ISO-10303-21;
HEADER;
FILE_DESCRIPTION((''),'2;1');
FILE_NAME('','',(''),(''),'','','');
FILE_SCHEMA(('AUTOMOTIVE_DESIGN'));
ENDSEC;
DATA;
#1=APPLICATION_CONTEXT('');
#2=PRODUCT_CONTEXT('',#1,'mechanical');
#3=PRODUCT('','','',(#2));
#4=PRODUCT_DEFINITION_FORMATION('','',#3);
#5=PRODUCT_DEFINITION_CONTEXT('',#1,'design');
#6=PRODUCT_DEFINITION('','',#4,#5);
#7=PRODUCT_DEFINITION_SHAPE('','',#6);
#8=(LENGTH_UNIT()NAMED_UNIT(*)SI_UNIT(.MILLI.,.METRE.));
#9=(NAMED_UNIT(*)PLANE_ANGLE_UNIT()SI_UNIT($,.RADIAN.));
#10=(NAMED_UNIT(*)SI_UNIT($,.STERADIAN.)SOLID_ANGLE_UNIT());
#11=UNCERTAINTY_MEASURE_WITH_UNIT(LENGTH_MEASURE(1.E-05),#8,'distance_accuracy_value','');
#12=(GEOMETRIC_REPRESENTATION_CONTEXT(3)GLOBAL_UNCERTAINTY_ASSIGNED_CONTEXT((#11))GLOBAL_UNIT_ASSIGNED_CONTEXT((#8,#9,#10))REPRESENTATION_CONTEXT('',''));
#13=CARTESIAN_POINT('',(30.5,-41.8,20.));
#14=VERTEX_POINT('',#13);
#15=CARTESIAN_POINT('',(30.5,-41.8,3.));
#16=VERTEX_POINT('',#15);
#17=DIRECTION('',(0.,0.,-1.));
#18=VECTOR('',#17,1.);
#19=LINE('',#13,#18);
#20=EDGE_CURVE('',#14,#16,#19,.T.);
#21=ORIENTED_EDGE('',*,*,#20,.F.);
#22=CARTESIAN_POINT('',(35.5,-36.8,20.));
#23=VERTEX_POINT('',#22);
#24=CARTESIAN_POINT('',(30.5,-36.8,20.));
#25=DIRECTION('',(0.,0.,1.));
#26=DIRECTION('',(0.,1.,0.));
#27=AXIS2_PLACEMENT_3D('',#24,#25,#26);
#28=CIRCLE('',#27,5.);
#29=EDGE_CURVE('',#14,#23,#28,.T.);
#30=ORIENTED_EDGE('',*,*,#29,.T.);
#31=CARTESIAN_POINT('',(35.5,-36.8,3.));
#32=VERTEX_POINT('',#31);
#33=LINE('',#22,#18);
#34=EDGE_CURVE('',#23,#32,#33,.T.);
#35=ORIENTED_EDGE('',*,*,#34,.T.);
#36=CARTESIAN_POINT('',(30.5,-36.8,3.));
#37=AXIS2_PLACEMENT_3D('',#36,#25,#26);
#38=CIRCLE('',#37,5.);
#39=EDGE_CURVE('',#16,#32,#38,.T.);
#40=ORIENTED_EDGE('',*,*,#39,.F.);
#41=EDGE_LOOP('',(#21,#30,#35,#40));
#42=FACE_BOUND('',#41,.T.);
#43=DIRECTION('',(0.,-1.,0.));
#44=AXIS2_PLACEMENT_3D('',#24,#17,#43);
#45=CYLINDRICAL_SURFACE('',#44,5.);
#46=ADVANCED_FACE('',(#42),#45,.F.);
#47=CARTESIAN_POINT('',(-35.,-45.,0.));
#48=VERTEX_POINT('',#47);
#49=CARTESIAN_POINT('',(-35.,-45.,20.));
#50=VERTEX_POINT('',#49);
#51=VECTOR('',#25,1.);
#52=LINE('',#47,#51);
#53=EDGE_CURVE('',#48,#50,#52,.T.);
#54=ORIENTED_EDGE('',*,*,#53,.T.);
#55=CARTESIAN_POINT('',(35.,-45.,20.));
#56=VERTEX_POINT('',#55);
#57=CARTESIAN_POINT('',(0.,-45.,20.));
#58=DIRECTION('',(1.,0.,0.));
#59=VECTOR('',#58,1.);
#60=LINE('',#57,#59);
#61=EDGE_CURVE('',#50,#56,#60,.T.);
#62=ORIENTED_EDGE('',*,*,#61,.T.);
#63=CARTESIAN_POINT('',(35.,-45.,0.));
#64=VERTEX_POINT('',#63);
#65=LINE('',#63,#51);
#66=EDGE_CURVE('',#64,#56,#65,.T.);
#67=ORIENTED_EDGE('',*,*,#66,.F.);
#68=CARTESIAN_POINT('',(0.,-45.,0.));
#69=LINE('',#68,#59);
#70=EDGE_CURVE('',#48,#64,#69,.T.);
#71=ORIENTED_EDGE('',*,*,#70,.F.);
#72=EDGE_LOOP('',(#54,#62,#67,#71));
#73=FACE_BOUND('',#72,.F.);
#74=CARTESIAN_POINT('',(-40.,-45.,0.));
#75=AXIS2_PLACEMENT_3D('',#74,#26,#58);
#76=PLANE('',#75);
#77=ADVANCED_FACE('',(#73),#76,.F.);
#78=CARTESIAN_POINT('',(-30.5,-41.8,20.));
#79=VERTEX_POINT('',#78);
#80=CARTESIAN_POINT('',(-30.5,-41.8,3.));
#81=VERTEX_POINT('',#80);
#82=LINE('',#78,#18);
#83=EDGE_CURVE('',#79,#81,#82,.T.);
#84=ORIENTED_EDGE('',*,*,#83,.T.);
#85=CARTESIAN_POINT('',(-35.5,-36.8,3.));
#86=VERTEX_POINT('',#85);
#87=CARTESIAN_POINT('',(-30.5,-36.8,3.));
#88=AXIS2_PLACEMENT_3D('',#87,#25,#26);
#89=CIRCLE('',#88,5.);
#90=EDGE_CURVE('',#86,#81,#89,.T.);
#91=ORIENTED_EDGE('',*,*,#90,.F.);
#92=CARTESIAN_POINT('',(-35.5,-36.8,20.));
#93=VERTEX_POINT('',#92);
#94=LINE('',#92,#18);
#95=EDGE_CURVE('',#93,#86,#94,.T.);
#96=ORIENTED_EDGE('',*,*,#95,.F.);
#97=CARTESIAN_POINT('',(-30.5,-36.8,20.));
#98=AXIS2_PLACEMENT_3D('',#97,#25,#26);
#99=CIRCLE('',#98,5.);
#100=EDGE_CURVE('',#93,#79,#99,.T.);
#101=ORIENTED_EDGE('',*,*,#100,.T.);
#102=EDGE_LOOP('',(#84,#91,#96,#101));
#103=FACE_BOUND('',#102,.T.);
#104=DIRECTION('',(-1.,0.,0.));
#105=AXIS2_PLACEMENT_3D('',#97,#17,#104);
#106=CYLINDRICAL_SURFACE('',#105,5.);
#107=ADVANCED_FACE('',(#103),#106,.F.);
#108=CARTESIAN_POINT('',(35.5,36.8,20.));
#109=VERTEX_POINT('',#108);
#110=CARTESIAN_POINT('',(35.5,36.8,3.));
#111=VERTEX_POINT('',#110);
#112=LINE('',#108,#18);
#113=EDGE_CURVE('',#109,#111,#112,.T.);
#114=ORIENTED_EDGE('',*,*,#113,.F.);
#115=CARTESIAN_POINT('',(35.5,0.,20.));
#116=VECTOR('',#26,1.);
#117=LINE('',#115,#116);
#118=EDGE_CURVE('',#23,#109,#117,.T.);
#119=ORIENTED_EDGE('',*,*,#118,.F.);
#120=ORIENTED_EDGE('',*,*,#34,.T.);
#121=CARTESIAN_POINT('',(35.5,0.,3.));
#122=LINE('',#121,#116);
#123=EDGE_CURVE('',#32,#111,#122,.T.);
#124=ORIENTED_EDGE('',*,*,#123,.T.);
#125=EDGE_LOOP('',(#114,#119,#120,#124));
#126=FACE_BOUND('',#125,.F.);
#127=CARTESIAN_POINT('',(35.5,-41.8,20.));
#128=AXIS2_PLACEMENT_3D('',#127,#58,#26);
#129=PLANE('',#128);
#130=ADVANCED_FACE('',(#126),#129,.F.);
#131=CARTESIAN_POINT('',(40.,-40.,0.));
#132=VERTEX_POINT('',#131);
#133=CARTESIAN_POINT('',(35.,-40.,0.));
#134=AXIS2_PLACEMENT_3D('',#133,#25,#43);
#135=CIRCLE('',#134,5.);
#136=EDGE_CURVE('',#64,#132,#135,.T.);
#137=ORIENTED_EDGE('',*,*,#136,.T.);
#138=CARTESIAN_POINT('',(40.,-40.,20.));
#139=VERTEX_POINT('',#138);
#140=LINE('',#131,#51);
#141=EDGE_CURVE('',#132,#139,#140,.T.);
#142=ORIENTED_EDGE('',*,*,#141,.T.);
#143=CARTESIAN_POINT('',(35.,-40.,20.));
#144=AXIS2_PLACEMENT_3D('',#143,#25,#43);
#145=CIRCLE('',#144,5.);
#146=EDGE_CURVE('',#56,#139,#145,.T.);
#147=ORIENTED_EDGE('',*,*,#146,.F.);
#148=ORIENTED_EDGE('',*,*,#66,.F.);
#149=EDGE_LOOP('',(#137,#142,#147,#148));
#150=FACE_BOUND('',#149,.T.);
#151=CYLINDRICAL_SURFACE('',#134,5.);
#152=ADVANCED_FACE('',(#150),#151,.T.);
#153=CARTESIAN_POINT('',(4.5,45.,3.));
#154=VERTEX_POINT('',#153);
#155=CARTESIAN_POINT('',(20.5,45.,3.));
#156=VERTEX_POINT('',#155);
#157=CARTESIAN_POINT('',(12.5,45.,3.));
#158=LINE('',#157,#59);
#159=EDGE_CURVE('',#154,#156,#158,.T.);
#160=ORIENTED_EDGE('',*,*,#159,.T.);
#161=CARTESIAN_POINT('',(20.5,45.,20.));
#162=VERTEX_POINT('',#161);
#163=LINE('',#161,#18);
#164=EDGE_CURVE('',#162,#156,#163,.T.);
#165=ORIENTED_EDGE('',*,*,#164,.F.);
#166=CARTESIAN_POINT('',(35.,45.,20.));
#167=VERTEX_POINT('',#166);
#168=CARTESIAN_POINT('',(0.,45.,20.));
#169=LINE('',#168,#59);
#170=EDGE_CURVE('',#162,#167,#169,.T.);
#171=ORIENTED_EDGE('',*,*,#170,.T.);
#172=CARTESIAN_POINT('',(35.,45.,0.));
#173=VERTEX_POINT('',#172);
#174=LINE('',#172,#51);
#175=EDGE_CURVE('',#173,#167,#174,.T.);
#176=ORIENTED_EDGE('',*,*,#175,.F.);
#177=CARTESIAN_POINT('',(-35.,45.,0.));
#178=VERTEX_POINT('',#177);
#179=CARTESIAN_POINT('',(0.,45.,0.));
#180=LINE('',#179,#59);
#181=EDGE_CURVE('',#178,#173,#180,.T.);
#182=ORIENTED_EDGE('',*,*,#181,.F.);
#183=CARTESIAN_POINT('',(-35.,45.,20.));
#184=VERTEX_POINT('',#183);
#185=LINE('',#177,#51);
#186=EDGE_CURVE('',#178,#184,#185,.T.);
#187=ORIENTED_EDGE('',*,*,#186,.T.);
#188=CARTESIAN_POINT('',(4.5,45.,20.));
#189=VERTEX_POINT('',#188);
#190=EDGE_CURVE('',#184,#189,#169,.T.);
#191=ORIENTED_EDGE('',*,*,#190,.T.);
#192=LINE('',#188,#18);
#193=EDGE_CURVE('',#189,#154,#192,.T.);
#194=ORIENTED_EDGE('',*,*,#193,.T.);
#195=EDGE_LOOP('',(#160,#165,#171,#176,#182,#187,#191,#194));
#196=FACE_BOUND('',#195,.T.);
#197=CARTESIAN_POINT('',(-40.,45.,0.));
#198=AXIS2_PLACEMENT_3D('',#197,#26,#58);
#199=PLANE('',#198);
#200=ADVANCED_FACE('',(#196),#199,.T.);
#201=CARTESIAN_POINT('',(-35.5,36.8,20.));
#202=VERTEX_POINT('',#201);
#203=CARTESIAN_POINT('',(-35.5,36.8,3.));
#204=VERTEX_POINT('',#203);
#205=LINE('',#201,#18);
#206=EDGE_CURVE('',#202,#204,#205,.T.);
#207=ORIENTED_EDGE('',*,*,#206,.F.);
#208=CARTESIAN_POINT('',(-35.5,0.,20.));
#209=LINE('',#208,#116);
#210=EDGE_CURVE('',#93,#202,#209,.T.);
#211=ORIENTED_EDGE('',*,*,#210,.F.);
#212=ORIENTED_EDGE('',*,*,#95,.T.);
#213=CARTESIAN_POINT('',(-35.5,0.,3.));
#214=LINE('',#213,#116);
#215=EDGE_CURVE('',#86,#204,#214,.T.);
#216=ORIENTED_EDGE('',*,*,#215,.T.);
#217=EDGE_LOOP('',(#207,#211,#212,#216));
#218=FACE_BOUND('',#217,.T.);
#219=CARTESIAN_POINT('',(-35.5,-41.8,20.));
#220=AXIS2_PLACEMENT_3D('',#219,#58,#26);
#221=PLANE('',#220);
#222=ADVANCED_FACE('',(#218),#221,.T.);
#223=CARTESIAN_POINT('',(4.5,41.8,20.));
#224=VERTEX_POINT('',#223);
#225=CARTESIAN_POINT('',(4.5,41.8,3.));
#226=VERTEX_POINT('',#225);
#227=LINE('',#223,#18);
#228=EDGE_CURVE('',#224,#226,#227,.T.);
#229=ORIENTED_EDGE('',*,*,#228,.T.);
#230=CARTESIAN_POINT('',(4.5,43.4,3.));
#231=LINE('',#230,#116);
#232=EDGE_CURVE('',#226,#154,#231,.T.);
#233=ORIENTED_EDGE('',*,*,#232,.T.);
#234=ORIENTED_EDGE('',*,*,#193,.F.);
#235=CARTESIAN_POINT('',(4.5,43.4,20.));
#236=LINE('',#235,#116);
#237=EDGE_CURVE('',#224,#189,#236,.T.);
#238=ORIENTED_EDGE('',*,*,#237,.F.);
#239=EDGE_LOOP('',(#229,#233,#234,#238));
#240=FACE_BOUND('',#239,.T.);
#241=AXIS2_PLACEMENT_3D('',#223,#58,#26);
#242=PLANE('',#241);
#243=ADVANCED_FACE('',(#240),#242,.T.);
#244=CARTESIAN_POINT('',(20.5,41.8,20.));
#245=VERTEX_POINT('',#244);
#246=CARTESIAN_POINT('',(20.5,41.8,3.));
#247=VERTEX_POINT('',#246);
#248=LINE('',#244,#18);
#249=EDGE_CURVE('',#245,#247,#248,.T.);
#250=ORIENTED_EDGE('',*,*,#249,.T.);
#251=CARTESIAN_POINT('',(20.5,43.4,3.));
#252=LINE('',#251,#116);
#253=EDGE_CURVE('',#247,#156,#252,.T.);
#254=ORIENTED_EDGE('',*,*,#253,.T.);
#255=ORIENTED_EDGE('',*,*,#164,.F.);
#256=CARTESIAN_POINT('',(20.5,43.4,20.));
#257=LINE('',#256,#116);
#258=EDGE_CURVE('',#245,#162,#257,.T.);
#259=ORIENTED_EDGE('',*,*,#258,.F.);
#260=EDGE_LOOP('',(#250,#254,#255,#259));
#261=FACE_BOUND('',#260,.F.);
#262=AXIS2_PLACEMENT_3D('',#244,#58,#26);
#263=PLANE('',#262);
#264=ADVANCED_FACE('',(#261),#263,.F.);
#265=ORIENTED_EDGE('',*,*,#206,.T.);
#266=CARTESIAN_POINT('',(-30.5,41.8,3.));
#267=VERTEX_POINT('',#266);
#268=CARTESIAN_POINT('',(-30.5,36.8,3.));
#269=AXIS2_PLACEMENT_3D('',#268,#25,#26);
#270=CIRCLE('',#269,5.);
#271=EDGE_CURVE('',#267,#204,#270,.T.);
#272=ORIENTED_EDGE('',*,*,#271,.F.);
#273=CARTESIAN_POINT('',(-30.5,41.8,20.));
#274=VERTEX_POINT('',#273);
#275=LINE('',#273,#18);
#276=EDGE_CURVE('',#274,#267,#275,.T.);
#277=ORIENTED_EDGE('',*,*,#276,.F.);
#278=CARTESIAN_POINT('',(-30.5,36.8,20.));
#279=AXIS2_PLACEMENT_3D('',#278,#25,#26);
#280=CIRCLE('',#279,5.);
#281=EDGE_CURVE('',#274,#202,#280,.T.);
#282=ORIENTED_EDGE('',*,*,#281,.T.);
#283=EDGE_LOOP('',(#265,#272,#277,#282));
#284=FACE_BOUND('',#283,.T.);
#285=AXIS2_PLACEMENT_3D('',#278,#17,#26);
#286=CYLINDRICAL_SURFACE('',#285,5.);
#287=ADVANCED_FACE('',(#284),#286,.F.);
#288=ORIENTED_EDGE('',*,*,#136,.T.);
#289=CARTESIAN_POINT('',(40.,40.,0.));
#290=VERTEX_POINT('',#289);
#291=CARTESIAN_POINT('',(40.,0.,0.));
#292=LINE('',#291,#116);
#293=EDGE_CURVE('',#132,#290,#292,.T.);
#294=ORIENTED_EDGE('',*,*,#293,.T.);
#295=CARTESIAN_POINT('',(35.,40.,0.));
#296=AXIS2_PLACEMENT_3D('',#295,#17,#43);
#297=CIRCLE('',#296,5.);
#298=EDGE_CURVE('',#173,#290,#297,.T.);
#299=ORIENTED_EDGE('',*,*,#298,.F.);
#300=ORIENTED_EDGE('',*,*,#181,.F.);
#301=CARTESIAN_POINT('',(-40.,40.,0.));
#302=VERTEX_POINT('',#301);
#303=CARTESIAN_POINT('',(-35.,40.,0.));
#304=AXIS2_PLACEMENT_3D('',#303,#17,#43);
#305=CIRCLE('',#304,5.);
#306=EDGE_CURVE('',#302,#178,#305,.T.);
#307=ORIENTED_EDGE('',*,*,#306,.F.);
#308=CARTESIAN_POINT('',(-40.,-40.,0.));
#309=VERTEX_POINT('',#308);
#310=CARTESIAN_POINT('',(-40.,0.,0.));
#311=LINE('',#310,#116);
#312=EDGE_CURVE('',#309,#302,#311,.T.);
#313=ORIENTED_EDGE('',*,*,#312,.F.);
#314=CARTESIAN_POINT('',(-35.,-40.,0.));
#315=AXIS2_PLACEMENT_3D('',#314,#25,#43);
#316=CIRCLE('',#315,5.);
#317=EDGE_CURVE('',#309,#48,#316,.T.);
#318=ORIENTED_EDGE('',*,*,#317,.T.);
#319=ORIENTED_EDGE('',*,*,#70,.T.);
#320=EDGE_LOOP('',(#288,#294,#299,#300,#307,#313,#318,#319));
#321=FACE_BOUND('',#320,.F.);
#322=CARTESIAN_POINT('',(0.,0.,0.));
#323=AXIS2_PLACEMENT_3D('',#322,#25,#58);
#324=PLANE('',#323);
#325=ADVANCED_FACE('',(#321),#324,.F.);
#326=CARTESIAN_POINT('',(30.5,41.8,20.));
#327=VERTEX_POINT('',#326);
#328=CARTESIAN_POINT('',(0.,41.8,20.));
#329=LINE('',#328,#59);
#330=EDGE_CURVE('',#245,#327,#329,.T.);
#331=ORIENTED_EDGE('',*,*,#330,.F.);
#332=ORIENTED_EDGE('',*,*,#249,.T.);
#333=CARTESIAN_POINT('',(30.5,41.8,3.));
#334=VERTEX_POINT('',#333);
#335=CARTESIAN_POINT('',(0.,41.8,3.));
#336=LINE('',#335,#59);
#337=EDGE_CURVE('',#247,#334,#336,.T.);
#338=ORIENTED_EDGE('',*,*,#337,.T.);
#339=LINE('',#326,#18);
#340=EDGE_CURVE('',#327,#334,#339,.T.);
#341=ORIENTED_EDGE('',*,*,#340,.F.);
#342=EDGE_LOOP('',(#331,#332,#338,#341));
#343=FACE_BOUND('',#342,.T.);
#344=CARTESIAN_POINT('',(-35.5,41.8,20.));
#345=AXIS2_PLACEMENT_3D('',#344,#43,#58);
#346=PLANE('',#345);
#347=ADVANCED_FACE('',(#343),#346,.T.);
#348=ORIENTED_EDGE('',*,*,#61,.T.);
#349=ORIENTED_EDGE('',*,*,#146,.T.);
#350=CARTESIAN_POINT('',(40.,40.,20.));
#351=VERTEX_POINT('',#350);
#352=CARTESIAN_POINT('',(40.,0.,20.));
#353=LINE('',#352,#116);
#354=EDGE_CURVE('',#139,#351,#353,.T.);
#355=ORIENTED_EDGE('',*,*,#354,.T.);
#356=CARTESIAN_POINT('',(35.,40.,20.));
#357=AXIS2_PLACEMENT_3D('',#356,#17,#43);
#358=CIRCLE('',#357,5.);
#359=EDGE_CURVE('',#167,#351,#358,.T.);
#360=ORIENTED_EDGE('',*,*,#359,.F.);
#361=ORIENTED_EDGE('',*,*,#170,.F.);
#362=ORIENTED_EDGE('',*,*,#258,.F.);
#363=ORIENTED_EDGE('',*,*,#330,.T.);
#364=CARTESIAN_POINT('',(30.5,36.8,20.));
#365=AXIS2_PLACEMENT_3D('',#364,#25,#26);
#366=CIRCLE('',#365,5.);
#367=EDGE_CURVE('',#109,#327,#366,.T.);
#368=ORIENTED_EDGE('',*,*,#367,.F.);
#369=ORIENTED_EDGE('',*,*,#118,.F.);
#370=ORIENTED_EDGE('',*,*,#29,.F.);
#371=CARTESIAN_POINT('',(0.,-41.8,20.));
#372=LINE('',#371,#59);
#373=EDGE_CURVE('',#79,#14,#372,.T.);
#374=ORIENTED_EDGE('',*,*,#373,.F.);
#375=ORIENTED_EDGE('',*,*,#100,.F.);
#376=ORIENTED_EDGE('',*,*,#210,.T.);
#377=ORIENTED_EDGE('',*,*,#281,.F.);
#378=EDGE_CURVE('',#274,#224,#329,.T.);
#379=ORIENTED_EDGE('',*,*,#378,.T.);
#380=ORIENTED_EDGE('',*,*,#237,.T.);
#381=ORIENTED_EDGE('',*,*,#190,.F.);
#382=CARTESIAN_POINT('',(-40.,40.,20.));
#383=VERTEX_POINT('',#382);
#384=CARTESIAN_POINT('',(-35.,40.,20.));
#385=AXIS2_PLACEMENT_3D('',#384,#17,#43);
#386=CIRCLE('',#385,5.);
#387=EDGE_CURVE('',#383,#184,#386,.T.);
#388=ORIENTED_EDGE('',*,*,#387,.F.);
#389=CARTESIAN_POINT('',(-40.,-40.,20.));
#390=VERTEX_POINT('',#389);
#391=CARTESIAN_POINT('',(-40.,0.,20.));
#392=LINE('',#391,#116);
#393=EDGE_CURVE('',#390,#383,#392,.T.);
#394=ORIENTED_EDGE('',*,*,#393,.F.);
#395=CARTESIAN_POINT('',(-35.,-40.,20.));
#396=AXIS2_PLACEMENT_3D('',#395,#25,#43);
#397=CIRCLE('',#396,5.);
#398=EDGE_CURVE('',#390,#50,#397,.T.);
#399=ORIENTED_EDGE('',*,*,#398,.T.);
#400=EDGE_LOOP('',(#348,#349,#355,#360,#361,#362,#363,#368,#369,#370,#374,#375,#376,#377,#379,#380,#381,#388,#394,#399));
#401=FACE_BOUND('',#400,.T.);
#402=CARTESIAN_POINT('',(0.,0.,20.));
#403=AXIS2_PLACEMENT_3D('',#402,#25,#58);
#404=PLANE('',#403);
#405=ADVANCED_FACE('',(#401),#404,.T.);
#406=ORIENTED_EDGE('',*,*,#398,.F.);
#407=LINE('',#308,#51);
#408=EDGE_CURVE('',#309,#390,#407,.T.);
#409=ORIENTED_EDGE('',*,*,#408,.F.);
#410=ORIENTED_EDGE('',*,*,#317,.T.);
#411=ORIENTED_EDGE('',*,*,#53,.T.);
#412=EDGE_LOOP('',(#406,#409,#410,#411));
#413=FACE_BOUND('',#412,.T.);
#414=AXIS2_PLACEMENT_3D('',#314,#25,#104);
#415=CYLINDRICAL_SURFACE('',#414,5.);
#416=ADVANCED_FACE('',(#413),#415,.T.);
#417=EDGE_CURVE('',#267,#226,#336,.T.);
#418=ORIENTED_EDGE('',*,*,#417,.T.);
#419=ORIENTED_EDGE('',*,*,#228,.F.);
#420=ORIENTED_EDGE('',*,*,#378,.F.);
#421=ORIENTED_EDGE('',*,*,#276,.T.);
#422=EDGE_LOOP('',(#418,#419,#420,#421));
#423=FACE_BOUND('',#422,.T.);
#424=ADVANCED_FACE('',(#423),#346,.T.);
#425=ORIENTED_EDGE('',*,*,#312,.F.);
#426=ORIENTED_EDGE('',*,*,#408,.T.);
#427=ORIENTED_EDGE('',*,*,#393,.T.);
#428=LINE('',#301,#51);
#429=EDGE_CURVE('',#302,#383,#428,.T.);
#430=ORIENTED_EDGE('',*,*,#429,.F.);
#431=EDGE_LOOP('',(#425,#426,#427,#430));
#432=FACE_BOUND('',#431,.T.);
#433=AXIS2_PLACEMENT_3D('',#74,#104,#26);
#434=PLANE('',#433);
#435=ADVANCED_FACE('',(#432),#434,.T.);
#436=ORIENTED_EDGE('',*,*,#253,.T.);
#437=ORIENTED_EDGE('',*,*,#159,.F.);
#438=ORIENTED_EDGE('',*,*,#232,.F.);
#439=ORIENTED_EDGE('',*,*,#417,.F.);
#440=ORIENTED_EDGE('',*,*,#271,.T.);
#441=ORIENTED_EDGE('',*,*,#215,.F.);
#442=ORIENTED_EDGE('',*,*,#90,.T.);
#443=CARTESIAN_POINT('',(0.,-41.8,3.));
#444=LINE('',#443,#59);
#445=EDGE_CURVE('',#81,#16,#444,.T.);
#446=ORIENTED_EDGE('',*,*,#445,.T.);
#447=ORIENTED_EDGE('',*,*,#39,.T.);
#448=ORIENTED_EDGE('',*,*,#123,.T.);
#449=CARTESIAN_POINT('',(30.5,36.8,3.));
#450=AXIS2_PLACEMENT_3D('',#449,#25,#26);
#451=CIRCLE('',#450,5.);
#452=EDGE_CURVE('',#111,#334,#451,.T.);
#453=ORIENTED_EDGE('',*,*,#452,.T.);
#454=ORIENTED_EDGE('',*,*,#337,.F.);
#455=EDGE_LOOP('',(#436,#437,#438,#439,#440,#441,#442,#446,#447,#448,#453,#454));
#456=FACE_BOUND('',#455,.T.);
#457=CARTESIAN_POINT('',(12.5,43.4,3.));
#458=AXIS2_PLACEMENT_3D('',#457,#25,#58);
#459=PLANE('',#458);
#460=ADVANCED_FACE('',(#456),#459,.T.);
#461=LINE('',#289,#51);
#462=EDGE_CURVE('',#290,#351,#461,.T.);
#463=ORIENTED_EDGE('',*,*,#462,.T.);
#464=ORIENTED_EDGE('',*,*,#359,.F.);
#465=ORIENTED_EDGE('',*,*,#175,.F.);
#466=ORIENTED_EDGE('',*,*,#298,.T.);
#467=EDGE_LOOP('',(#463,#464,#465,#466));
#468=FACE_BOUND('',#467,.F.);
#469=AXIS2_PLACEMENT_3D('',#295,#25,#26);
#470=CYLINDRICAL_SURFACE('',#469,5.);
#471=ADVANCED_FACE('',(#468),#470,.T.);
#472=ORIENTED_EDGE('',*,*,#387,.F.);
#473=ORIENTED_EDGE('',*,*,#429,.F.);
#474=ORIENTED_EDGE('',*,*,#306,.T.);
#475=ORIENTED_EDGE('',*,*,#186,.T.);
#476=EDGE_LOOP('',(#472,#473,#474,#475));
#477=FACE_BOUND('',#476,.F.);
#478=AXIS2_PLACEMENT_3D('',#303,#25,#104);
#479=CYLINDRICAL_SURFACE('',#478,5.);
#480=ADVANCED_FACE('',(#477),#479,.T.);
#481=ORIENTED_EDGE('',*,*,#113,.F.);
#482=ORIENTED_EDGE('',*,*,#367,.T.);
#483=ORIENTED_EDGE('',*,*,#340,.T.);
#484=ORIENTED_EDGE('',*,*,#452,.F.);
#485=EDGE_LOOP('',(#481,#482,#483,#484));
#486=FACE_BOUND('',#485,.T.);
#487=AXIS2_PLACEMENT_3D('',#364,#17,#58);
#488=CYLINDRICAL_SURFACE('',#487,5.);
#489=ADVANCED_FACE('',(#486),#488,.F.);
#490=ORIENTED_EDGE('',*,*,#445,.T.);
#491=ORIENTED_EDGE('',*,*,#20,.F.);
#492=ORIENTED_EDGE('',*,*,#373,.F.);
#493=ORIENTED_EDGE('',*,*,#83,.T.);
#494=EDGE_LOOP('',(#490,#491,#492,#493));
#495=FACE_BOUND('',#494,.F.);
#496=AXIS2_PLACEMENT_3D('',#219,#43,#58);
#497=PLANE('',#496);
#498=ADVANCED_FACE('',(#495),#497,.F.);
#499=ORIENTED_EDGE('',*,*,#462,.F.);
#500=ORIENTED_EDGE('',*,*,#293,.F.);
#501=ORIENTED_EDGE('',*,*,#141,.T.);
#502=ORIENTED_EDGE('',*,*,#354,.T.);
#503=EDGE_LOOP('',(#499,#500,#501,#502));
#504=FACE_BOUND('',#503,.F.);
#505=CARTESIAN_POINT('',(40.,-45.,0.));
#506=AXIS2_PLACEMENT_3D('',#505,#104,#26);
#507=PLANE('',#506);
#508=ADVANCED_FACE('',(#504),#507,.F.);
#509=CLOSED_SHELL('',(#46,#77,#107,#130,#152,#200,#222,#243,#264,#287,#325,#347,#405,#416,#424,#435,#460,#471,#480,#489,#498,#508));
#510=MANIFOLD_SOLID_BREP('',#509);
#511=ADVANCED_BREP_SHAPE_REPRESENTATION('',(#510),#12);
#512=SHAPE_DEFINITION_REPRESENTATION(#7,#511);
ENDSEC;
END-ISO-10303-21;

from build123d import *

# Parameters (mm, degrees)
F0_W     = 80
F0_H     = 90
F1_DEPTH = 20
F2_W     = 71
F2_H     = 83.6
F3_DEPTH = 17
F4_W     = 16
F4_H     = 3.2
F5_DEPTH = 17
F6_R     = 5
F7_R     = 5


with BuildPart() as f1:
    # F0 (on Top) → F1 (new body)
    with BuildSketch(Plane.XY):
        Rectangle(F0_W, F0_H)
    extrude(amount=F1_DEPTH)

    # F2 (on face) → F3 (cut)
    with BuildSketch(Plane.XY.offset(20)):
        Rectangle(F2_W, F2_H)
    extrude(amount=-F3_DEPTH, mode=Mode.SUBTRACT)

    # F4 (on face) → F5 (cut, through all)
    with BuildSketch(Plane.XY.offset(20)):
        with Locations((12.5, 43.4)):
            Rectangle(F4_W, F4_H)
    extrude(amount=-F5_DEPTH, mode=Mode.SUBTRACT)

    # F6
    f6_edges = [f1.edges().sort_by_distance(p)[0] for p in [
        (40, 45, 10),
        (40, -45, 10),
        (-40, -45, 10),
        (-40, 45, 10),
    ]]
    fillet(f6_edges, radius=F6_R)

    # F7
    f7_edges = [f1.edges().sort_by_distance(p)[0] for p in [
        (35.5, -41.8, 11.5),
        (35.5, 41.8, 11.5),
        (-35.5, 41.8, 11.5),
        (-35.5, -41.8, 11.5),
    ]]
    fillet(f7_edges, radius=F7_R)


solid = f1.part
